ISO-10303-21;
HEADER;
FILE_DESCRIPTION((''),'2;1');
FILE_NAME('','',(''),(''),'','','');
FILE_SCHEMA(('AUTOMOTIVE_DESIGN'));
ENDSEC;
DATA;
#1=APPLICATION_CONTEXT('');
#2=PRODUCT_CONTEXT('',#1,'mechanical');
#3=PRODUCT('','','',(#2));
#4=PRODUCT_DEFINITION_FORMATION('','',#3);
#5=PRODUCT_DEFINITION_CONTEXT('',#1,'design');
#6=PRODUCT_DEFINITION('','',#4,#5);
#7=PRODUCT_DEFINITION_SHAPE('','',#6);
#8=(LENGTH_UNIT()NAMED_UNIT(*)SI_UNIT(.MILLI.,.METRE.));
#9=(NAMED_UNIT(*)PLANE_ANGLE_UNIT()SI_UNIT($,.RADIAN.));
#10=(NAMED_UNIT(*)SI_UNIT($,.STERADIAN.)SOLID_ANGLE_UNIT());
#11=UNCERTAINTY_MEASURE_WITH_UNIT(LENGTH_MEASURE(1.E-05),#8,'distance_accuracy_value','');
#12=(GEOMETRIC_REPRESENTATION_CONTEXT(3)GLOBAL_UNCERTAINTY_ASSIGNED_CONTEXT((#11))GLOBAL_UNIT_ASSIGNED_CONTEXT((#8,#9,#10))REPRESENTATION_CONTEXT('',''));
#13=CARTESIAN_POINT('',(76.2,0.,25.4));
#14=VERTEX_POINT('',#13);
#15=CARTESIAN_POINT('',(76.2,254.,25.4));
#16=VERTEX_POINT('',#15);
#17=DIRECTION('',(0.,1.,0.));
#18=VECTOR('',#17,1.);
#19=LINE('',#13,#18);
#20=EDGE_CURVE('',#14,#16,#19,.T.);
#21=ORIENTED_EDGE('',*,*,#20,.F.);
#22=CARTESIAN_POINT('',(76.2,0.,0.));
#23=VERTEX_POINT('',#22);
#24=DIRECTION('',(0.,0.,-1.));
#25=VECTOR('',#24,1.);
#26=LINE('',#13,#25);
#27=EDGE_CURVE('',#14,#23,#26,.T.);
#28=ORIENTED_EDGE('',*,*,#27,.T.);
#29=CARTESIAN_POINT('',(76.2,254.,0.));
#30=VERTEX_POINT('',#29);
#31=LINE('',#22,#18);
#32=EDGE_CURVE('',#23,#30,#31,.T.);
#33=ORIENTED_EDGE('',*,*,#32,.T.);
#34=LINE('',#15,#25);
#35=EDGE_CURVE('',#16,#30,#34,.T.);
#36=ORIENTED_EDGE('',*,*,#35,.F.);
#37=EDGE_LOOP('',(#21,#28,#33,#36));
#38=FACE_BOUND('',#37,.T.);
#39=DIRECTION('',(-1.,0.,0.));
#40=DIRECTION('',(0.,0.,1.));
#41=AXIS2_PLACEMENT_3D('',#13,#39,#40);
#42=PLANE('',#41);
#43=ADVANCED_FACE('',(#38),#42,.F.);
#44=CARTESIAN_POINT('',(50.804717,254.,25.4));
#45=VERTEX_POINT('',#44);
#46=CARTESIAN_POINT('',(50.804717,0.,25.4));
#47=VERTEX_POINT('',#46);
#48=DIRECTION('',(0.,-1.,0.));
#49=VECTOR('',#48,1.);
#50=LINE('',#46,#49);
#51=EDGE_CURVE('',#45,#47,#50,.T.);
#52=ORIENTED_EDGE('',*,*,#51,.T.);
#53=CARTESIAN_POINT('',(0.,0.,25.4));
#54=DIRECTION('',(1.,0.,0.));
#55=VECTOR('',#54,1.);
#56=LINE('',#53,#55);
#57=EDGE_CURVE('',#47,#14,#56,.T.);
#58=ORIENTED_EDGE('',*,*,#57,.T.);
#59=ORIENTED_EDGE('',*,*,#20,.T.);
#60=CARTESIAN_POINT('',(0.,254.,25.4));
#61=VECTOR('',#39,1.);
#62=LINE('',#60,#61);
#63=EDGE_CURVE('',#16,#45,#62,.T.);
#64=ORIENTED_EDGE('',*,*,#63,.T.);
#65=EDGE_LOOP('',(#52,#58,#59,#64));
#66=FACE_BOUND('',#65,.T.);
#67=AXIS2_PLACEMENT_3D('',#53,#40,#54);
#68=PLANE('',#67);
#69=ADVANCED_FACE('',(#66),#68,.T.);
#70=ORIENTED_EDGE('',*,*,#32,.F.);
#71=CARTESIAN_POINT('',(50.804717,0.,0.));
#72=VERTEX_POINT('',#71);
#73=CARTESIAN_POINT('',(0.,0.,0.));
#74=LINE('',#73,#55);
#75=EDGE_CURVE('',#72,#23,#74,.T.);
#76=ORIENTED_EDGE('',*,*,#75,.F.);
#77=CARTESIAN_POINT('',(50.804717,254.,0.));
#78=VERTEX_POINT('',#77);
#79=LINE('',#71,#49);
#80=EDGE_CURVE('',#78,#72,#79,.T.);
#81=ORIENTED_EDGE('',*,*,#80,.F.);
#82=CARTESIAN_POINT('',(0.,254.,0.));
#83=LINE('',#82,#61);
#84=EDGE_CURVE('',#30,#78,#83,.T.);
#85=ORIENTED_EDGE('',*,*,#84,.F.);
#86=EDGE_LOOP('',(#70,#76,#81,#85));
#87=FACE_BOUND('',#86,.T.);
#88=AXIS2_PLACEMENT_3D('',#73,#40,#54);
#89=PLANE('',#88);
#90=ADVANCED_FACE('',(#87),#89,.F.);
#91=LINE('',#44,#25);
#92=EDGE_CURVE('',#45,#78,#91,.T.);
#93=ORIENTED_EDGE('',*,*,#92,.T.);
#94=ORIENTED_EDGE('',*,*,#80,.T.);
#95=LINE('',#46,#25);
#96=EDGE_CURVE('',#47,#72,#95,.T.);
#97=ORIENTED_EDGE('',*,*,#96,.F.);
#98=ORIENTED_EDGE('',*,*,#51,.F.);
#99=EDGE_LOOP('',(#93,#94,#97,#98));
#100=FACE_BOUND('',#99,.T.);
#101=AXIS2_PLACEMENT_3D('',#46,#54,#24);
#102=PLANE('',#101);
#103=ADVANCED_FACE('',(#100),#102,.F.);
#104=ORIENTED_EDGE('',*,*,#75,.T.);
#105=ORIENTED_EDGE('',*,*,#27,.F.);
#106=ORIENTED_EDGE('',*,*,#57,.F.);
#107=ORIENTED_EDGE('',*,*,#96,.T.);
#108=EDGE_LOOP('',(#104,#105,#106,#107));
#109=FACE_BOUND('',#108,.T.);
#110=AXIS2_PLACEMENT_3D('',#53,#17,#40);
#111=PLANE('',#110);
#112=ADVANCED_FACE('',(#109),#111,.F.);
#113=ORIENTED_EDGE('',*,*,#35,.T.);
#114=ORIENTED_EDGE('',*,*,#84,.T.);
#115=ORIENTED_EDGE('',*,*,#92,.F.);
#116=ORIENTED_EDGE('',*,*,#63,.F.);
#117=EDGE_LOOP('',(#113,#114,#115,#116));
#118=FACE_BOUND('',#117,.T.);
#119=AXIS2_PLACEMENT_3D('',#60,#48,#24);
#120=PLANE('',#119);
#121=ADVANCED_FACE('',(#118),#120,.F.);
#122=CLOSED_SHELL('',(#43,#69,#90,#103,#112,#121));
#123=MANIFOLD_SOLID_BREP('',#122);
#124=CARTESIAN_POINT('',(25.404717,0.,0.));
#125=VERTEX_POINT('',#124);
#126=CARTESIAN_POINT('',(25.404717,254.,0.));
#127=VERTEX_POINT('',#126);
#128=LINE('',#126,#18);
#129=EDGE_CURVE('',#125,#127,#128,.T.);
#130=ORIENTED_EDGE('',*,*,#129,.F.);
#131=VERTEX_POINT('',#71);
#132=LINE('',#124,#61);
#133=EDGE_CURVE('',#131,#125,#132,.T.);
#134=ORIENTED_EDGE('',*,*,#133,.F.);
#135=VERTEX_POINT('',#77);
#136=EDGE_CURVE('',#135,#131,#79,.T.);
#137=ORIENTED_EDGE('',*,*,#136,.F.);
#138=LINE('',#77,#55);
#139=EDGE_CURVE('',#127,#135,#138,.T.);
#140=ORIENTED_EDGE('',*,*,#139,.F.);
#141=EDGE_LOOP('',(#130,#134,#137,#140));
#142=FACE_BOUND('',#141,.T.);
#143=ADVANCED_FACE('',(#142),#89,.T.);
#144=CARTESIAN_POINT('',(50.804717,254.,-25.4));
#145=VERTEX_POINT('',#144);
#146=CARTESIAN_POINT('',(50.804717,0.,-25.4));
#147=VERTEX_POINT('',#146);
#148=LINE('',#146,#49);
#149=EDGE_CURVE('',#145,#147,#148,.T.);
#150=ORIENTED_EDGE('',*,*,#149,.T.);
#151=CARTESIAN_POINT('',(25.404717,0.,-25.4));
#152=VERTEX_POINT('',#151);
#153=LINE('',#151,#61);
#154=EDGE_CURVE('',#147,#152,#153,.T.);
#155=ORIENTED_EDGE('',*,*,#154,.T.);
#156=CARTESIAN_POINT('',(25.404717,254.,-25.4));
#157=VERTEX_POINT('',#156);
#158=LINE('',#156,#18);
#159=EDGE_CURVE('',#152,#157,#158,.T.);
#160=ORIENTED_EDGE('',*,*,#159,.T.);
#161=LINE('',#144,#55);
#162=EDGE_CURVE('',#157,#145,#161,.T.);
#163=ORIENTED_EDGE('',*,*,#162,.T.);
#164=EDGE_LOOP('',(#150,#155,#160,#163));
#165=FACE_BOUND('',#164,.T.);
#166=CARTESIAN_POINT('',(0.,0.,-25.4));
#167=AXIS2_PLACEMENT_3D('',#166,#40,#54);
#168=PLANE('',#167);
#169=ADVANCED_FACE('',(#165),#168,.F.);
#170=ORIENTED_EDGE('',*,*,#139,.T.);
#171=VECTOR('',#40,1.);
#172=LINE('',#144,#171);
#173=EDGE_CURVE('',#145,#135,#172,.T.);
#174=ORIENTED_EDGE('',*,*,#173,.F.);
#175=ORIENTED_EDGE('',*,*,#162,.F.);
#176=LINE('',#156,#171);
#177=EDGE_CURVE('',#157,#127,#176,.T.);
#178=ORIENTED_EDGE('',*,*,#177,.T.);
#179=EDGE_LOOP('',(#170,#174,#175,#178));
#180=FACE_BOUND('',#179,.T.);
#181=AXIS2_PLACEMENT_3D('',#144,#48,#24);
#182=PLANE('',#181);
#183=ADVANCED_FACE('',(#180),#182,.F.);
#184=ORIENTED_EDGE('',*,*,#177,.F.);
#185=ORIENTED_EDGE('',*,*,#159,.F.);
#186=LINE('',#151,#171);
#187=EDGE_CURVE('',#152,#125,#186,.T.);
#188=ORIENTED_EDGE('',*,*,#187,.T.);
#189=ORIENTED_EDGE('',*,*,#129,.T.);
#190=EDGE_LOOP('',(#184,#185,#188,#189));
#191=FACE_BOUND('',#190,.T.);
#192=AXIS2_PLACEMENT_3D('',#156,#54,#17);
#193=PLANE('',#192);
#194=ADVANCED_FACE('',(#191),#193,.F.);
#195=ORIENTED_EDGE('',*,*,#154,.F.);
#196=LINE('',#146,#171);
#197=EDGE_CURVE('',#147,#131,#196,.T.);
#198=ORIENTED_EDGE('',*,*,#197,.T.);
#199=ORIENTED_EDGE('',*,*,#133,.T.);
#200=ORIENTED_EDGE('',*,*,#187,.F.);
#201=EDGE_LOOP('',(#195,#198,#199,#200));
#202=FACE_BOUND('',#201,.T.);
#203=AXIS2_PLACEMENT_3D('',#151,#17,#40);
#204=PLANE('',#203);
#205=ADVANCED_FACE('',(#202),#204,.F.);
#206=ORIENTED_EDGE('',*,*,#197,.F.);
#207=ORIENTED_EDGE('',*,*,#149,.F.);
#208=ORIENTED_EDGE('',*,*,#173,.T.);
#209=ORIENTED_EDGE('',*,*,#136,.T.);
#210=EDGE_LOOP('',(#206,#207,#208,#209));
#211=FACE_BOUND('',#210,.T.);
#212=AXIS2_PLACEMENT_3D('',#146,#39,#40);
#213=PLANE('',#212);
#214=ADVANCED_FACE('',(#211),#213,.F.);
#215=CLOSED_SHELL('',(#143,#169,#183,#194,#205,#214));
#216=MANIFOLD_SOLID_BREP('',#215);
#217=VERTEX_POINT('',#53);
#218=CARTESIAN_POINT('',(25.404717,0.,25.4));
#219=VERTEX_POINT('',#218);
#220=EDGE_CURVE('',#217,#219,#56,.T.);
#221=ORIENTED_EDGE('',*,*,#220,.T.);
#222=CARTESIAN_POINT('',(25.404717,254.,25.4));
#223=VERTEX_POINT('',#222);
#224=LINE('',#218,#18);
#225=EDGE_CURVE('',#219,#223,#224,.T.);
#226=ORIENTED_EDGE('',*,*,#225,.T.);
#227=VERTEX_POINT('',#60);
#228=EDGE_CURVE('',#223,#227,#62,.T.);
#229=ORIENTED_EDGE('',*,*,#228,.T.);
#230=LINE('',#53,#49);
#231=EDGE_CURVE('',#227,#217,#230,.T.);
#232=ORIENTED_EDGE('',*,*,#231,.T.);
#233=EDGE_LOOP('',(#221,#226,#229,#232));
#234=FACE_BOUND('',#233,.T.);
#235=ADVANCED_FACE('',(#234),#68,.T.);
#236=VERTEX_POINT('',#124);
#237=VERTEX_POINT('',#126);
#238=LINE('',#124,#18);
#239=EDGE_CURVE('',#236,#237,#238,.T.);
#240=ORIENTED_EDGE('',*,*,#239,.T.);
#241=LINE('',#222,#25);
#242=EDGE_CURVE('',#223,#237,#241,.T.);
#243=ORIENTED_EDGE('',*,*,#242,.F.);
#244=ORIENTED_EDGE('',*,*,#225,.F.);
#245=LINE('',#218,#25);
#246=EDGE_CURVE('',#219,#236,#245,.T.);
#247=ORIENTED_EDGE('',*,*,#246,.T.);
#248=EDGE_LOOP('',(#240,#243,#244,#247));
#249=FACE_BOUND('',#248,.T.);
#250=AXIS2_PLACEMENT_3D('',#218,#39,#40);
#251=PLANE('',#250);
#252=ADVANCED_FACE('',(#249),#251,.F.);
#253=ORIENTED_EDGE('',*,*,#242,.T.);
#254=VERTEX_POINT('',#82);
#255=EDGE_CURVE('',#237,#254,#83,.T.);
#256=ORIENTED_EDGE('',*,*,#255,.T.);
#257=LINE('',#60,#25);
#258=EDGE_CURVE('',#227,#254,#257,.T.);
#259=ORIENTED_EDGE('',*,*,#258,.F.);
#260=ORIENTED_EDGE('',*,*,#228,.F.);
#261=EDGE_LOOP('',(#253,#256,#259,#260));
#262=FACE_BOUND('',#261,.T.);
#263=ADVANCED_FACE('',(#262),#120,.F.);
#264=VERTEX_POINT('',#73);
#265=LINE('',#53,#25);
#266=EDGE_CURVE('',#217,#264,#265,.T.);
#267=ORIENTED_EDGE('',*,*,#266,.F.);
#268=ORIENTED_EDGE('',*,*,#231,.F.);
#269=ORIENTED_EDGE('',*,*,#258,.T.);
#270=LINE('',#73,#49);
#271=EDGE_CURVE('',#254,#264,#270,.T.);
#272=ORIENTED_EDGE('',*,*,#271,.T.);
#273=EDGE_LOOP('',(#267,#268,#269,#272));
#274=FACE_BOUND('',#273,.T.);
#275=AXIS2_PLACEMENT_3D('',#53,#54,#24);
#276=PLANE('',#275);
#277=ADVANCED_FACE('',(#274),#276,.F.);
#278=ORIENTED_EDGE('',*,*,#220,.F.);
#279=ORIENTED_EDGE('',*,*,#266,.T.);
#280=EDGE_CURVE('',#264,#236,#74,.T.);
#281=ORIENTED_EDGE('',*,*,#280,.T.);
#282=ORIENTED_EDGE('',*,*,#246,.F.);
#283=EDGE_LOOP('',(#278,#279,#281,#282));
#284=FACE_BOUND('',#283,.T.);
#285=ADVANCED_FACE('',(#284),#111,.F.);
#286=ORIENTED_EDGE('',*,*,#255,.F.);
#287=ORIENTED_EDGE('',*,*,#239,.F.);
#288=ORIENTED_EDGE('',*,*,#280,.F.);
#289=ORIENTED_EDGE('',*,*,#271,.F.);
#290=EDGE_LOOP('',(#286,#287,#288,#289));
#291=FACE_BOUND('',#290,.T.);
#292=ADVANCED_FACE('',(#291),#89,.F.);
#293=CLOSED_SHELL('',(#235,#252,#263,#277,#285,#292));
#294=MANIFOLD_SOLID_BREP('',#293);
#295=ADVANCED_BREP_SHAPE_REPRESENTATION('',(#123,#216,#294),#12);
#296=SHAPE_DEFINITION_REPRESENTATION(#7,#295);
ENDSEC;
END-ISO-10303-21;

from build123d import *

# Parameters (mm, degrees)
SKETCH1_W          = 25.395282645
SKETCH1_H          = 254
EXTRUSION2_DEPTH   = 25.4
SKETCH1_W_2        = 25.404717355
EXTRUSION2_2_DEPTH = 25.4
SKETCH2_W          = 25.4
SKETCH2_H          = 254
EXTRUSION3_DEPTH   = 25.4


with BuildPart() as part:
    # Sketch1 → Extrusion2 (new body)
    with BuildSketch(Plane.XY):
        with Locations((63.502358677, 127)):
            Rectangle(SKETCH1_W, SKETCH1_H)
    extrude(amount=EXTRUSION2_DEPTH)


with BuildPart() as body_2:
    # Sketch1 → Extrusion2 2 (new body)
    with BuildSketch(Plane.XY):
        with Locations((12.702358678, 127)):
            Rectangle(SKETCH1_W_2, SKETCH1_H)
    extrude(amount=EXTRUSION2_2_DEPTH)


with BuildPart() as body_3:
    # Sketch2 → Extrusion3 (new body)
    with BuildSketch(Plane(origin=(0, 0, 0), x_dir=(-1, 0, 0), z_dir=(0, 0, -1))):
        with Locations((-38.104717355, 127)):
            Rectangle(SKETCH2_W, SKETCH2_H)
    extrude(amount=EXTRUSION3_DEPTH)


solid = Compound([part.part, body_2.part, body_3.part])
